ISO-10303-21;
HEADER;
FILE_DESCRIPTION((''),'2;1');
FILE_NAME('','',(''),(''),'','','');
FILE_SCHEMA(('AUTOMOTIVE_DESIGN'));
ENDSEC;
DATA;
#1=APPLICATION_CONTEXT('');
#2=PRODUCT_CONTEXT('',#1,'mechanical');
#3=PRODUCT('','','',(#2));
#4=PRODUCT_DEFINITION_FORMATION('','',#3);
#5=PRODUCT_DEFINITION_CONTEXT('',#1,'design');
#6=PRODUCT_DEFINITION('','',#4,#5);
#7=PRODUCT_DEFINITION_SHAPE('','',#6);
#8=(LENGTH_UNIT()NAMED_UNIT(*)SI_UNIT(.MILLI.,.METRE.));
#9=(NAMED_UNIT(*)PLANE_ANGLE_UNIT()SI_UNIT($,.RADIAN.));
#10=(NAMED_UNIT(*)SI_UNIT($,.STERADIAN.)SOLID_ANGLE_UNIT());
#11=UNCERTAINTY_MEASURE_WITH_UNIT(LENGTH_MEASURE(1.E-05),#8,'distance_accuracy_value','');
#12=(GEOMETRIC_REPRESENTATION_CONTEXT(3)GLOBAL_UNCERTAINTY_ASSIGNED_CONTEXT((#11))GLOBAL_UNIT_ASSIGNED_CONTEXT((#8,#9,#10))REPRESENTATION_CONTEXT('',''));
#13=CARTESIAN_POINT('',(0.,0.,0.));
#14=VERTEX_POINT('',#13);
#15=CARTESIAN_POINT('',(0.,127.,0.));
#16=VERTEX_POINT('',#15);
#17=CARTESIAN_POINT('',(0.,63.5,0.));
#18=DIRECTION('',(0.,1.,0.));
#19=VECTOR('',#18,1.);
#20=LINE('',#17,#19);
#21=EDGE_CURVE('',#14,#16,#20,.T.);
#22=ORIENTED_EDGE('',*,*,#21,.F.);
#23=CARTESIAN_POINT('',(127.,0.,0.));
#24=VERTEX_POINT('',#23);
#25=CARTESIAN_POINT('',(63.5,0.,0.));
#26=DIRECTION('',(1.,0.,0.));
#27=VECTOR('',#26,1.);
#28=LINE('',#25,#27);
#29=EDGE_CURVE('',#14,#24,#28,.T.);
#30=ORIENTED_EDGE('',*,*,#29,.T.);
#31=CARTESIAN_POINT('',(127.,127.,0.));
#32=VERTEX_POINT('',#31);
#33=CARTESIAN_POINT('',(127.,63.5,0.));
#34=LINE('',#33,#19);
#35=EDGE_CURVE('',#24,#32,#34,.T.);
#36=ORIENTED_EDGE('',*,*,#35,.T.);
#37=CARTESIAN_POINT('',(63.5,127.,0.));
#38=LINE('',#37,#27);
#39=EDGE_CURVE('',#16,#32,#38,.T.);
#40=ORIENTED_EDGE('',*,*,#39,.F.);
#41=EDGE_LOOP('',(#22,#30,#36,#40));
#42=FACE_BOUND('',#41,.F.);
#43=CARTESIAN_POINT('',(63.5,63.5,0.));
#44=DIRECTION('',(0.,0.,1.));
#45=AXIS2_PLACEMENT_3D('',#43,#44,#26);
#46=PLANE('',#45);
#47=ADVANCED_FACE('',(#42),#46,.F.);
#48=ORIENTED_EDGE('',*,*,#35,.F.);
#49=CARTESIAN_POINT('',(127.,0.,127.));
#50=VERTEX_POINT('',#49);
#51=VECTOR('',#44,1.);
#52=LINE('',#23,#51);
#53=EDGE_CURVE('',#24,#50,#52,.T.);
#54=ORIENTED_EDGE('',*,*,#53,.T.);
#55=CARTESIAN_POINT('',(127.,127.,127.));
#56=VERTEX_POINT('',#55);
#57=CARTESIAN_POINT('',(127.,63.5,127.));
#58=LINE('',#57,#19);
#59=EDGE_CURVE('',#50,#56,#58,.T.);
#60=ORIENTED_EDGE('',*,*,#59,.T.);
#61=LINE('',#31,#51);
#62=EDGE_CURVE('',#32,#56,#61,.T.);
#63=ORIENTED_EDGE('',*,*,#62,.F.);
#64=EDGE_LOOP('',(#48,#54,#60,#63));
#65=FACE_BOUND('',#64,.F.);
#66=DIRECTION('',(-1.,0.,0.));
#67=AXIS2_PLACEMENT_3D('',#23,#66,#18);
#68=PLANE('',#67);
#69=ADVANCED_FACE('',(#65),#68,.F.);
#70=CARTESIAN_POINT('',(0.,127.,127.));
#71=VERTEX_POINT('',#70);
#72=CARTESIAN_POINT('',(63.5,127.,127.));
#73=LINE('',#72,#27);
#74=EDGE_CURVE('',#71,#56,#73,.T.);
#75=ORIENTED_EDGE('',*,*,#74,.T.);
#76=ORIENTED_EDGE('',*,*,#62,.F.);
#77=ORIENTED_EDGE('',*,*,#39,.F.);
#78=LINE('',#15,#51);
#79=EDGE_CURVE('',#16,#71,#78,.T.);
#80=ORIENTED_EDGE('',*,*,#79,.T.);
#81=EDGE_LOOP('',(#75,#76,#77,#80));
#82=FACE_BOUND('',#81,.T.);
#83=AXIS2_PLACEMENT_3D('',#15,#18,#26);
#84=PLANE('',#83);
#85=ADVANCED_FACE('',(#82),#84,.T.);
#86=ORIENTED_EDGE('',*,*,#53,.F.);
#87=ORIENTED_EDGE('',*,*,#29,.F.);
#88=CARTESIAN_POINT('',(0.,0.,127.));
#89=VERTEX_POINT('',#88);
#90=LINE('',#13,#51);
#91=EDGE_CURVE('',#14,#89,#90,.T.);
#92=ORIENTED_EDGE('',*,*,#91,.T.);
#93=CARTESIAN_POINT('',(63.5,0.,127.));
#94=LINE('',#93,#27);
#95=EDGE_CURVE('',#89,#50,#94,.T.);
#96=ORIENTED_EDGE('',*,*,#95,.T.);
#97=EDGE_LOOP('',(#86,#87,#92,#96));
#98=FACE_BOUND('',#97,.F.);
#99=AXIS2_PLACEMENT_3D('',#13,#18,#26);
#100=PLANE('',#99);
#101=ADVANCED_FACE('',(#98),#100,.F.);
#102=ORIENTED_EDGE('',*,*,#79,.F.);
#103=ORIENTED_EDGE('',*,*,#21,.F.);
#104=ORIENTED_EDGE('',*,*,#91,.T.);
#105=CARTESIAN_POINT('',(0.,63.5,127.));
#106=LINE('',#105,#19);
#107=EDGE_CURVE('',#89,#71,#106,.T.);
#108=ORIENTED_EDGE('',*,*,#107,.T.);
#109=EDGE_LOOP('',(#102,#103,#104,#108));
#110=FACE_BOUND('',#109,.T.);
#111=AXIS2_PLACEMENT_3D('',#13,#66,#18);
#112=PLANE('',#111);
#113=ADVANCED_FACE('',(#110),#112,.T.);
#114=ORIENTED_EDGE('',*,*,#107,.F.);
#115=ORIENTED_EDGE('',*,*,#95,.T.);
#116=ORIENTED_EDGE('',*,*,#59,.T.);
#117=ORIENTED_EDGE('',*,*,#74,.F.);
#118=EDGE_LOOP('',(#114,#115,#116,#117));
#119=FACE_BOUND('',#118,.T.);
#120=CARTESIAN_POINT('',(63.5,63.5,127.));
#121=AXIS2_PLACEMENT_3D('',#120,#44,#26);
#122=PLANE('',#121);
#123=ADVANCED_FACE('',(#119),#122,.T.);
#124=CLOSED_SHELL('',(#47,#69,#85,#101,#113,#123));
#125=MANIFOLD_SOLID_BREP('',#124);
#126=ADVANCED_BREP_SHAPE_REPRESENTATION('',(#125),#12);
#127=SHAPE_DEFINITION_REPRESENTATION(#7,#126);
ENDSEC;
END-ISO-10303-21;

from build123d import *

# Parameters (mm, degrees)
F0_W     = 127
F0_H     = 127
F0_R     = 50.8
F1_DEPTH = 127


with BuildPart() as f1:
    # F0 (on Top) → F1 (new body)
    with BuildSketch(Plane.XY):
        with Locations((63.5, 63.5)):
            Rectangle(F0_W, F0_H)
        with Locations((63.5, 63.5)):
            Circle(F0_R, mode=Mode.SUBTRACT)
        with Locations((63.5, 63.5)):
            Circle(F0_R)
    extrude(amount=F1_DEPTH)


solid = f1.part
